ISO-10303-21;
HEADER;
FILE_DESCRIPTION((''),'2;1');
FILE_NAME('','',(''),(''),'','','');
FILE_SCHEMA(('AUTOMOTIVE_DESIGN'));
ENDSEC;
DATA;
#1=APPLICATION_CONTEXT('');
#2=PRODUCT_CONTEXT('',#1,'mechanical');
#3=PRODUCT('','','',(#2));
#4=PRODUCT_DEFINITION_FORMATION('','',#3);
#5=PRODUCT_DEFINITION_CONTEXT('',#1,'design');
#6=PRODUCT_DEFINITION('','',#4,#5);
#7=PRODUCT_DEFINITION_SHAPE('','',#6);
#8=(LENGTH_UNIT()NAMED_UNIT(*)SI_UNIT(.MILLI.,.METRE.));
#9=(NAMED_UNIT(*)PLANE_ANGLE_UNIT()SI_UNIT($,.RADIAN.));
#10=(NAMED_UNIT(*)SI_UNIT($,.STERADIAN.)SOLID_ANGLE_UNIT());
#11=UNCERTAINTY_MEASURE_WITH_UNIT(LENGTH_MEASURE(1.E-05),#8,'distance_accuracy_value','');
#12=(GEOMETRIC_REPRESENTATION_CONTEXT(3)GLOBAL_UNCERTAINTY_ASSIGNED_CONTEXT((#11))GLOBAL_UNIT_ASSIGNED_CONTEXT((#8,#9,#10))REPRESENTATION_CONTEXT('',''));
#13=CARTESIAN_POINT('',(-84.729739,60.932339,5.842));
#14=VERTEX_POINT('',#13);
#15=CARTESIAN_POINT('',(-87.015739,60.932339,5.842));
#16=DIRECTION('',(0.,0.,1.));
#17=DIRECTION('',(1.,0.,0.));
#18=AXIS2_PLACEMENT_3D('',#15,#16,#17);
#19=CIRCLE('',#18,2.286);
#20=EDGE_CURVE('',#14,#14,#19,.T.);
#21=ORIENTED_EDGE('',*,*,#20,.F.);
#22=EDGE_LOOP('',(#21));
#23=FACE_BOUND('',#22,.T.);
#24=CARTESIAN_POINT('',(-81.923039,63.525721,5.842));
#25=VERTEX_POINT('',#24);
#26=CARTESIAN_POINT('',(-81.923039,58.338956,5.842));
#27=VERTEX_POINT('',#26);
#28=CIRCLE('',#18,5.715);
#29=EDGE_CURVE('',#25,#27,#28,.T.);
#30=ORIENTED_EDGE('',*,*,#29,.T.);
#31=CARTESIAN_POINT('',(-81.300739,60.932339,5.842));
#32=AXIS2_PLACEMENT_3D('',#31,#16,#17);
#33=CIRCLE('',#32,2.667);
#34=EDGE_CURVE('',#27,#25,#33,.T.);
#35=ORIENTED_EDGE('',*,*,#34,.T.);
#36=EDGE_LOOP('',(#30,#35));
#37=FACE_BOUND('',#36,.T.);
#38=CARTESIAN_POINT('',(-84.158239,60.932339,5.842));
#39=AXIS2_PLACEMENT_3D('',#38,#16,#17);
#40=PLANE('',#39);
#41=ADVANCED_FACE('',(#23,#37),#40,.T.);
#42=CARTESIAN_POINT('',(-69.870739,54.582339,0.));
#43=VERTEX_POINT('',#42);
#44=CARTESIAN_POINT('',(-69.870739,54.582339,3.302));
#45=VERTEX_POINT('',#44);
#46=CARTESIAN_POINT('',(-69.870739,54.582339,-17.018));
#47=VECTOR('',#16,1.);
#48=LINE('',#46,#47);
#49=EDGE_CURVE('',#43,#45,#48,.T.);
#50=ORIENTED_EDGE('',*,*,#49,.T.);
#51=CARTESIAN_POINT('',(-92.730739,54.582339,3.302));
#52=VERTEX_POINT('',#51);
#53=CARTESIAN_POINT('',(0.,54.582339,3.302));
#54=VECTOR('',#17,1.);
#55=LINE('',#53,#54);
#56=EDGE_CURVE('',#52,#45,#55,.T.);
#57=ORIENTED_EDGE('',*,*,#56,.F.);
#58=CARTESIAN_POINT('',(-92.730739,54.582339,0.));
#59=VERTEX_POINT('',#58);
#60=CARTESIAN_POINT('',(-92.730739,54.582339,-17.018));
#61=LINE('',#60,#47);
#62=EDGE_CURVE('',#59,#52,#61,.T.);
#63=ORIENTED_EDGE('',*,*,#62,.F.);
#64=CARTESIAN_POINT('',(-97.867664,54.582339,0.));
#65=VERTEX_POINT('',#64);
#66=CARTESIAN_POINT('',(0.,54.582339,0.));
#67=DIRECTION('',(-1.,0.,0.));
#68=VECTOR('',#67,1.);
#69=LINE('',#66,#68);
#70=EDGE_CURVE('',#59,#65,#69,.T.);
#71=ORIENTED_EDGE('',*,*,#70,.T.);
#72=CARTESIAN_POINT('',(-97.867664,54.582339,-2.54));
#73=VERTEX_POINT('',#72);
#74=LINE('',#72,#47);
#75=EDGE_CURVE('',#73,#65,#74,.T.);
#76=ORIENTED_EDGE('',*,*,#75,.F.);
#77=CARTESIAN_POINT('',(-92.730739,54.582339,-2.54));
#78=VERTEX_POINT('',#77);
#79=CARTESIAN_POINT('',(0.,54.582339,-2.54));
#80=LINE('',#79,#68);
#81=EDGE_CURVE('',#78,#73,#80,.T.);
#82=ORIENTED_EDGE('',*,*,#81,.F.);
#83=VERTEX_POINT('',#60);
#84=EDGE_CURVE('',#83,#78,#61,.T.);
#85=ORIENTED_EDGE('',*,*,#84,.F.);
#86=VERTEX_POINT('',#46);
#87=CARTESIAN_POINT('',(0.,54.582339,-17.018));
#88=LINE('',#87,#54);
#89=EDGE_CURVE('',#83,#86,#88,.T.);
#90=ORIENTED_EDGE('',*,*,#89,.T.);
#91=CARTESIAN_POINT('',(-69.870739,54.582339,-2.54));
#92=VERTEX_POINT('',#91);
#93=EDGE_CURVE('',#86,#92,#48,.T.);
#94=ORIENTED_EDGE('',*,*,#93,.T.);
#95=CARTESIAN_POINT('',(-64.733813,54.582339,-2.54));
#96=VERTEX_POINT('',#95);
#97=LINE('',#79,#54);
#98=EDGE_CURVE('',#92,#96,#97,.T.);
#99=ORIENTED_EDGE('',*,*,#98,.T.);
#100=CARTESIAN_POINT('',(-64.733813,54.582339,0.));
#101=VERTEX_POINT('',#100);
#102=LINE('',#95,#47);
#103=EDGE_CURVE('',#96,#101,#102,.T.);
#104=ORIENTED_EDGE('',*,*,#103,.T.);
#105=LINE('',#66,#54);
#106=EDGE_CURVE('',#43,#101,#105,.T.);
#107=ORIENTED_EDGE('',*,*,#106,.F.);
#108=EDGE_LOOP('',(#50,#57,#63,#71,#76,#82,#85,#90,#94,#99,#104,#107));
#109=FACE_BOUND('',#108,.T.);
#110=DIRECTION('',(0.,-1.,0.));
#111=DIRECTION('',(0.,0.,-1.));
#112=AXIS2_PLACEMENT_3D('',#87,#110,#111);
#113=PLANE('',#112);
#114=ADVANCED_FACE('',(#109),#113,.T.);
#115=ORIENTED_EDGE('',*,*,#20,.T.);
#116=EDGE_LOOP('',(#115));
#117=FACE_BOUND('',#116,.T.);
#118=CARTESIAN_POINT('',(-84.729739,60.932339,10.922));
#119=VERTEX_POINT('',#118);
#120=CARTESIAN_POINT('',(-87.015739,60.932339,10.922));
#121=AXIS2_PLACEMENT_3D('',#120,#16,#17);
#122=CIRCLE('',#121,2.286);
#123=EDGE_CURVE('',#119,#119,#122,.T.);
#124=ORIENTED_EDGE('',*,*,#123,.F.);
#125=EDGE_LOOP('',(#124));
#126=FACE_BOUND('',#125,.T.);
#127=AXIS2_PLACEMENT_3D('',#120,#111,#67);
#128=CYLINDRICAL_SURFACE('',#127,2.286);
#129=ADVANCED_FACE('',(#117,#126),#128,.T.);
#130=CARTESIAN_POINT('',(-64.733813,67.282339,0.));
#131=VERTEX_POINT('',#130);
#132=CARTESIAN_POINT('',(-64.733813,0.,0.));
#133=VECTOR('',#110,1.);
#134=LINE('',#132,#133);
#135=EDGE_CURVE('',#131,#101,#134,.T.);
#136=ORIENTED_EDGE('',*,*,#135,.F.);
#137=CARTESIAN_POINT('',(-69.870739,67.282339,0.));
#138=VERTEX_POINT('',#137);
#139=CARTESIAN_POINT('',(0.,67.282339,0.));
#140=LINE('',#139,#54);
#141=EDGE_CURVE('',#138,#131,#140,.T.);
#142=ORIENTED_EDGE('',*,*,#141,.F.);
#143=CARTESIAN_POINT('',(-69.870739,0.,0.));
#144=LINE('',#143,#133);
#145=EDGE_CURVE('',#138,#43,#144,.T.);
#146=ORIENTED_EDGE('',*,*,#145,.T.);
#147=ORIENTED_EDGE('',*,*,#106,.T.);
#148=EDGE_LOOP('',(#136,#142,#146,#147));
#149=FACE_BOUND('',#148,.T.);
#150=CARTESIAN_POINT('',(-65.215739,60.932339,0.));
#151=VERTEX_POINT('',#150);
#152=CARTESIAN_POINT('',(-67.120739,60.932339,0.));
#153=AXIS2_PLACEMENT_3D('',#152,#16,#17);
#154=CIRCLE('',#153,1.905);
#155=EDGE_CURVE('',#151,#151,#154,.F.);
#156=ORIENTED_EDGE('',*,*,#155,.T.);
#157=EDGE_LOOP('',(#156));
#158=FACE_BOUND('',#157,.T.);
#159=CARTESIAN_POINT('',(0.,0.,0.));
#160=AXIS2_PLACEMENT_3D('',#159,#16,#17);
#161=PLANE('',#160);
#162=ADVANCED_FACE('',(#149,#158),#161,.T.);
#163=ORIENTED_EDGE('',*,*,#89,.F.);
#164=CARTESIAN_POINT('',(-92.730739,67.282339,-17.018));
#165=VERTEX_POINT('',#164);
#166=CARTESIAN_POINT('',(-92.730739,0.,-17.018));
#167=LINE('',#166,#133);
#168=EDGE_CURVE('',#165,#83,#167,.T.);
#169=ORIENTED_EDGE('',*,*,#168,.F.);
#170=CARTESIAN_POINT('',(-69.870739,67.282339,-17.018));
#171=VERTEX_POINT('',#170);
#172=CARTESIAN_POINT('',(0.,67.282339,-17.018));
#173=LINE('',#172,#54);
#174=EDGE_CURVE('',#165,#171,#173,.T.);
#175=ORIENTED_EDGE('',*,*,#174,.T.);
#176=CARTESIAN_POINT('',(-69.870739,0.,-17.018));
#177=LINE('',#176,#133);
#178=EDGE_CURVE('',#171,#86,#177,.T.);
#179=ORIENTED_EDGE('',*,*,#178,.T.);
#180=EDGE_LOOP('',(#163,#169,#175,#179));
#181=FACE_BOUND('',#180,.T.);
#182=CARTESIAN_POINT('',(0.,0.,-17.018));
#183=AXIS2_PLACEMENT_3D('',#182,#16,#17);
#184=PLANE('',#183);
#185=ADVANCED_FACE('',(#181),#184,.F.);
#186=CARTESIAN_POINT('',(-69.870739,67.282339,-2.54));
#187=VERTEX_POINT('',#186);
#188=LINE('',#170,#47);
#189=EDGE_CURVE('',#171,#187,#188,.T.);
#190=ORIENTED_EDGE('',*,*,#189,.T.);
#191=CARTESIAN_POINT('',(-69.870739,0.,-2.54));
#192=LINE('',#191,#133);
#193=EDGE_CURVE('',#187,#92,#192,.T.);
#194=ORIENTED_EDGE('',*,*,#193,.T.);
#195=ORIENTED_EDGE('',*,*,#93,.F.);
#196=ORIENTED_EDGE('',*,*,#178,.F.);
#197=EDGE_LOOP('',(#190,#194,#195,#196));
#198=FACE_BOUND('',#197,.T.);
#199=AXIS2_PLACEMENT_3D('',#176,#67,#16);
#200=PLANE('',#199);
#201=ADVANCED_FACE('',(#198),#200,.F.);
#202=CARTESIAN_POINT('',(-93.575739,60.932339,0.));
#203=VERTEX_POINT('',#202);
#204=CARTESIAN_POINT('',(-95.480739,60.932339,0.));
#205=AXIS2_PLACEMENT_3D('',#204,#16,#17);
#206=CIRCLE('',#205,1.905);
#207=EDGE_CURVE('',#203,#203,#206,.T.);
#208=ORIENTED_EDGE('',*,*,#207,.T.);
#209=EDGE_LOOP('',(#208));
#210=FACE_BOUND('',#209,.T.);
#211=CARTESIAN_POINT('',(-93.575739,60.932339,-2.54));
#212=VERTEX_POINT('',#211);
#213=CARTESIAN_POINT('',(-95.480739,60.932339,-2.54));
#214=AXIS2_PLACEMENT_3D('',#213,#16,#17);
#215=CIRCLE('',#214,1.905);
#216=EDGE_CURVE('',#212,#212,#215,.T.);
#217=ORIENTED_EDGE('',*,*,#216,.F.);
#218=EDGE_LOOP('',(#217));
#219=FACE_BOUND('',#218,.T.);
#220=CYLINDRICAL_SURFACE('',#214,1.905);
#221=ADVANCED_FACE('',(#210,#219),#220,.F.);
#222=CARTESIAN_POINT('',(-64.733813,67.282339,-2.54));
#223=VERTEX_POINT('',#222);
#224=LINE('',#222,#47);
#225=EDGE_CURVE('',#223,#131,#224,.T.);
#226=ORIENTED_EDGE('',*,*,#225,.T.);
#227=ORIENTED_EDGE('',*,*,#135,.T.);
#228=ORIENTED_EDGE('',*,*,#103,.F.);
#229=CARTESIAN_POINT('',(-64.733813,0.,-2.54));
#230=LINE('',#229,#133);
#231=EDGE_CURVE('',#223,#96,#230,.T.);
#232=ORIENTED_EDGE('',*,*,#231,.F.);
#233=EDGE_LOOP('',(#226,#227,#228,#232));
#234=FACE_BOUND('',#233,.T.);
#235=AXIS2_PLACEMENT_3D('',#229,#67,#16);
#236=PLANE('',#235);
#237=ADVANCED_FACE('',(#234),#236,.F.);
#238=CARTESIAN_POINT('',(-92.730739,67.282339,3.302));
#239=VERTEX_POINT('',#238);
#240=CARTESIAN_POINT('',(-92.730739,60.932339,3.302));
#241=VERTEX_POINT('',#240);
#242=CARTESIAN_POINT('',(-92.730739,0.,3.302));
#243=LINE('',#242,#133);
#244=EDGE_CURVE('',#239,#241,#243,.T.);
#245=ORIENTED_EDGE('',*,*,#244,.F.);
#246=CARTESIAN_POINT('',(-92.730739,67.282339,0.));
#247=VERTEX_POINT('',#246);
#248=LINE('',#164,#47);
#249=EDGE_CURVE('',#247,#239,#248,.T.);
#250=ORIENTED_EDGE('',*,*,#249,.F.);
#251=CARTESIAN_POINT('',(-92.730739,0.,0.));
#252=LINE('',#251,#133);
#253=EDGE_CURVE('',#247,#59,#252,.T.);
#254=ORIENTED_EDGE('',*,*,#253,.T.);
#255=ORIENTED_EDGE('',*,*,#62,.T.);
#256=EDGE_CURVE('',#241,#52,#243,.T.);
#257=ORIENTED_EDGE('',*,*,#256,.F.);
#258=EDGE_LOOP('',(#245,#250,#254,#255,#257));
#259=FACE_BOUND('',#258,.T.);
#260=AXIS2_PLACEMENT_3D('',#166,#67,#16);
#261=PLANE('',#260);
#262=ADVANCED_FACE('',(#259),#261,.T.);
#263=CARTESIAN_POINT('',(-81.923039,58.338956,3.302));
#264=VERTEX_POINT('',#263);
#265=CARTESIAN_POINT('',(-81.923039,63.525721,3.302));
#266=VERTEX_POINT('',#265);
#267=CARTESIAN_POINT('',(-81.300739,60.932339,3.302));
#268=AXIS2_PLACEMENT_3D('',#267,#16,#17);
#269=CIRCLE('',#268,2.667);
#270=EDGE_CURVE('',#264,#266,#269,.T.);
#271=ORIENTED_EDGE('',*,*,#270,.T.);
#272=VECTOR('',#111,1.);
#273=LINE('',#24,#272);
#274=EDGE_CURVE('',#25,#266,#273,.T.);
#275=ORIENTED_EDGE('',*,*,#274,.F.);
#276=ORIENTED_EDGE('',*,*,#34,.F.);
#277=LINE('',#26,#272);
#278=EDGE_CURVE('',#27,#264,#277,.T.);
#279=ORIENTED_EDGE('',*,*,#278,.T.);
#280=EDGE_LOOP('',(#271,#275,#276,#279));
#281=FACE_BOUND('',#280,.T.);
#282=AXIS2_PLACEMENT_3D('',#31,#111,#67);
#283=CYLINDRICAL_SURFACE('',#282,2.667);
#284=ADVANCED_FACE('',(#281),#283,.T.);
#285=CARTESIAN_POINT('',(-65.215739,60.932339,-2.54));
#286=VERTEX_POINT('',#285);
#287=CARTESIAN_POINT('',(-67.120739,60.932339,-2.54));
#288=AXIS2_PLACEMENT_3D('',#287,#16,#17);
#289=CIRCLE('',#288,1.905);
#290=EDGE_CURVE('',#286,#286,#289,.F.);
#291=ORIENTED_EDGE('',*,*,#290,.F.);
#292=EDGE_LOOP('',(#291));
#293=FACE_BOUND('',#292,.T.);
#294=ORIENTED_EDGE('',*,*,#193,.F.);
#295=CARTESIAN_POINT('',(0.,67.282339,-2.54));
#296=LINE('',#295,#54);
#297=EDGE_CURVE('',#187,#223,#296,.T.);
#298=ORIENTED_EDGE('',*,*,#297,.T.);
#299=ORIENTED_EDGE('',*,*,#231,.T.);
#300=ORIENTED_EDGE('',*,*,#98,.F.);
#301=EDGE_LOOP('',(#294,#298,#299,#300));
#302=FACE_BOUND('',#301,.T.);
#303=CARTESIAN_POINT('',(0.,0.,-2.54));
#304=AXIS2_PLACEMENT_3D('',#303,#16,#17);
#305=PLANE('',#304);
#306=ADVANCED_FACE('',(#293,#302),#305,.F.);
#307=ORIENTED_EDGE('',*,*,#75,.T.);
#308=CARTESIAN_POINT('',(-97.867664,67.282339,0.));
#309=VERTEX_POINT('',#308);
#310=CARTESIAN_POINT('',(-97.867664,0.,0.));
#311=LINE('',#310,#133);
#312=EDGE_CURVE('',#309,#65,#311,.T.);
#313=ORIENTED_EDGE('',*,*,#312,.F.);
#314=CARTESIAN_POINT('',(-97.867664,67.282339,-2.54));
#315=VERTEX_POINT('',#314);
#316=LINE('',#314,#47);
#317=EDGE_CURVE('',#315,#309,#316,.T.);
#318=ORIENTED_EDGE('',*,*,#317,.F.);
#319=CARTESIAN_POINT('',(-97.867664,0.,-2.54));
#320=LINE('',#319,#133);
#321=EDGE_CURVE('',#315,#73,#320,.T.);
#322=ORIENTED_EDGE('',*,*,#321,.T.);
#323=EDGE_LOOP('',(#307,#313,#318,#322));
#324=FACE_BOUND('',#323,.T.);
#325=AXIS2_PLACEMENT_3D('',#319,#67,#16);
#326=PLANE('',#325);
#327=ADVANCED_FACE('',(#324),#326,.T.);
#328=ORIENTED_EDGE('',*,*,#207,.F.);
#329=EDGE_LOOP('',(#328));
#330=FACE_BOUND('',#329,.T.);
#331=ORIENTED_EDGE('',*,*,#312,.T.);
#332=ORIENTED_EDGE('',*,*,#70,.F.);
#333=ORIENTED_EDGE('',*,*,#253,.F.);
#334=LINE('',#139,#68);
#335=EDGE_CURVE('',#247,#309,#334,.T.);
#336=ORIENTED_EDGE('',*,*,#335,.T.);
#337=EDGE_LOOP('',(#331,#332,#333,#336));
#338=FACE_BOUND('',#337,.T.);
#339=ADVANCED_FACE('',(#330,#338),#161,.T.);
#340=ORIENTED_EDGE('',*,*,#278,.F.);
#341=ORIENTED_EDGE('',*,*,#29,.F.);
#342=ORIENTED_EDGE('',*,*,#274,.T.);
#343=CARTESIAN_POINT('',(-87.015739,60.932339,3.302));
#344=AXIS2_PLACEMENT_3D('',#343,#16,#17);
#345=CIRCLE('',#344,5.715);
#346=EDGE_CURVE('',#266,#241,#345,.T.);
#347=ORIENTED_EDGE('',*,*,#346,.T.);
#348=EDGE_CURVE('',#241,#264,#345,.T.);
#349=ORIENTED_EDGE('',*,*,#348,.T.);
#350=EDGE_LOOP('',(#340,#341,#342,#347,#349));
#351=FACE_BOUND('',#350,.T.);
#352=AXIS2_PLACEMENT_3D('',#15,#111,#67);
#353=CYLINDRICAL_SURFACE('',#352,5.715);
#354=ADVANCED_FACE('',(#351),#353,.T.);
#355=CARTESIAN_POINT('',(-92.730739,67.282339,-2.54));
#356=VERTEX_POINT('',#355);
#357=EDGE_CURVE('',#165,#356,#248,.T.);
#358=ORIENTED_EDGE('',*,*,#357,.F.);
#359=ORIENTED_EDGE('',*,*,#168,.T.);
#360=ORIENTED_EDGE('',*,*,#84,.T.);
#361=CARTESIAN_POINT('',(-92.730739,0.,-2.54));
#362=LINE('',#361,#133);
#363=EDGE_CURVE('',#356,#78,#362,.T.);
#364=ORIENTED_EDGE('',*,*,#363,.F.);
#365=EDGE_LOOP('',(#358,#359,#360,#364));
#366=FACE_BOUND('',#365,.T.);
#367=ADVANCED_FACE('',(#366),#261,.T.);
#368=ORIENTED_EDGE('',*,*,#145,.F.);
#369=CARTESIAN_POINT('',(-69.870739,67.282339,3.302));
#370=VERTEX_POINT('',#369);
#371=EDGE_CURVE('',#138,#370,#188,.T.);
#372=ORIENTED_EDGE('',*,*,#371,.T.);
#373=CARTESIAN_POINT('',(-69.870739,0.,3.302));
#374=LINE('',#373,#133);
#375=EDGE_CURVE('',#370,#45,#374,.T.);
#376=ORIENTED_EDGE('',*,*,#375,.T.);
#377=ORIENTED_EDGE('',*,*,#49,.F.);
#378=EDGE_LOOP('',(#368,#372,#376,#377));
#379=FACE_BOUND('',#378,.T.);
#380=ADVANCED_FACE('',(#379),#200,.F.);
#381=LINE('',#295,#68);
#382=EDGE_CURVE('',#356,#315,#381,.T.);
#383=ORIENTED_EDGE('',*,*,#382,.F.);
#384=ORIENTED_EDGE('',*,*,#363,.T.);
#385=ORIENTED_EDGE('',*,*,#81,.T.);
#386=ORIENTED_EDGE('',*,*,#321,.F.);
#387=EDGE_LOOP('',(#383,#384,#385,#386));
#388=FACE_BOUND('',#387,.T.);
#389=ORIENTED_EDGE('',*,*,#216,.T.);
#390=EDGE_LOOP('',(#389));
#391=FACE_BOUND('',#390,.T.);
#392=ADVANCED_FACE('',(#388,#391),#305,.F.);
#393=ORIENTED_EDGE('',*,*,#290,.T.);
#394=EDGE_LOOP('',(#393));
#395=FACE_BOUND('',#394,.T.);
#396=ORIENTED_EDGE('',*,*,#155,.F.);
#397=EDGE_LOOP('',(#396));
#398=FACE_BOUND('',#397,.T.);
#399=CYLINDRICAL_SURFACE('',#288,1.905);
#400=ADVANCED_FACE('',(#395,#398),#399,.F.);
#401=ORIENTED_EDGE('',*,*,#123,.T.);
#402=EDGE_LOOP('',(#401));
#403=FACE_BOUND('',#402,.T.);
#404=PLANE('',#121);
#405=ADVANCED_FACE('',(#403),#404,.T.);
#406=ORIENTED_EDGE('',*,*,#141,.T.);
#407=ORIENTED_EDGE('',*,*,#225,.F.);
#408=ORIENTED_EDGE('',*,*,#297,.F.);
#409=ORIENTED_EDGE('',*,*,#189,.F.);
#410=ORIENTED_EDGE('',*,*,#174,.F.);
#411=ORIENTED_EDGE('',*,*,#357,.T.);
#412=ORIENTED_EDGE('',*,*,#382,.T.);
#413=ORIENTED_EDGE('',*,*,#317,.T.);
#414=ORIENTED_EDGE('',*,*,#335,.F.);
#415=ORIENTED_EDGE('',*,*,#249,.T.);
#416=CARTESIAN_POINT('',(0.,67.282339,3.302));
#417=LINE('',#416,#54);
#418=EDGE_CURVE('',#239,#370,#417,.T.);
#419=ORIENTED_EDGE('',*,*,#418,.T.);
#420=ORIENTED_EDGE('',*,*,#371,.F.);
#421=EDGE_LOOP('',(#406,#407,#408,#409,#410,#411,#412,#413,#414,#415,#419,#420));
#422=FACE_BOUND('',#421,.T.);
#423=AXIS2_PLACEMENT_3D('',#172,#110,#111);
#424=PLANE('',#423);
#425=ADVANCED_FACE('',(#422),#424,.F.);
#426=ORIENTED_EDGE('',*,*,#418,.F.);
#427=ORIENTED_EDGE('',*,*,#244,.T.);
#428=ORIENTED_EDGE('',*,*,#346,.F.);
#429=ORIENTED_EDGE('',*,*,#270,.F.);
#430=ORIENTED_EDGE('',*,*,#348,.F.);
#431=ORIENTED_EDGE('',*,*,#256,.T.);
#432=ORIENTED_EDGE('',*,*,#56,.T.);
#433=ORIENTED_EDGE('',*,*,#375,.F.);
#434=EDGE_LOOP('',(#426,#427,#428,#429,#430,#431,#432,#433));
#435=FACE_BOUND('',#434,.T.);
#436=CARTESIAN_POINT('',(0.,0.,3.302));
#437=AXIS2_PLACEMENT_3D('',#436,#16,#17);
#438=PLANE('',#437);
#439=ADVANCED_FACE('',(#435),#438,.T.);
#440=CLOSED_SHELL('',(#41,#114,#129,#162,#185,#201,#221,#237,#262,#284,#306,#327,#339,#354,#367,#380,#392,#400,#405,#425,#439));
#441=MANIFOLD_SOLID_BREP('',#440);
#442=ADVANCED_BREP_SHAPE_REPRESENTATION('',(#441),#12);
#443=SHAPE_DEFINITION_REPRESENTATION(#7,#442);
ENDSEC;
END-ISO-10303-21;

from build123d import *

# Parameters (mm, degrees)
BOSS_EXTRUDE1_DEPTH      = 3.302
BOSS_EXTRUDE1_DEPTH_BACK = 17.018
SKETCH2_W                = 22.86
SKETCH2_H                = 12.7
SKETCH2_5_W              = 5.136925293
SKETCH2_5_H              = 12.7
SKETCH2_5_R              = 1.905
BOSS_EXTRUDE2_DEPTH      = 2.54
BOSS_EXTRUDE3_DEPTH      = 2.54
SKETCH4_R                = 2.286
BOSS_EXTRUDE4_DEPTH      = 5.08


with BuildPart() as part:
    # Sketch2 → Boss-Extrude1 (new, two sides: drawn at the far end of the back side and taken through both)
    with BuildSketch(Plane.XY.offset(-BOSS_EXTRUDE1_DEPTH_BACK)):
        with Locations((-81.300738581, 60.932338755)):
            Rectangle(SKETCH2_W, SKETCH2_H)
    extrude(amount=BOSS_EXTRUDE1_DEPTH + BOSS_EXTRUDE1_DEPTH_BACK)

    # Sketch2<5> → Boss-Extrude2 (add)
    # profile 1 of 2: a face of its own
    with BuildSketch(Plane.XY):
        with Locations((-95.299201228, 60.932338755)):
            Rectangle(SKETCH2_5_W, SKETCH2_5_H)
        with Locations((-95.480738581, 60.932338755)):
            Circle(SKETCH2_5_R, mode=Mode.SUBTRACT)
    # profile 2 of 2: a face of its own
    with BuildSketch(Plane.XY):
        with Locations((-67.302275935, 60.932338755)):
            Rectangle(SKETCH2_5_W, SKETCH2_5_H)
        with Locations((-67.120738581, 60.932338755)):
            Circle(SKETCH2_5_R, mode=Mode.SUBTRACT)
    extrude(amount=-BOSS_EXTRUDE2_DEPTH)

    # Sketch3 → Boss-Extrude3 (add)
    with BuildSketch(Plane.XY.offset(3.302)):
        with BuildLine():
            ThreePointArc((-81.923038581, 63.525721047), (-92.730738581, 60.932338755), (-81.923038581, 58.338956464))
            ThreePointArc((-81.923038581, 58.338956464), (-78.633738581, 60.932338755), (-81.923038581, 63.525721047))
        make_face()
    extrude(amount=BOSS_EXTRUDE3_DEPTH)

    # Sketch4 → Boss-Extrude4 (add)
    with BuildSketch(Plane.XY.offset(5.842)):
        with Locations((-87.015738581, 60.932338755)):
            Circle(SKETCH4_R)
    extrude(amount=BOSS_EXTRUDE4_DEPTH)


solid = part.part
